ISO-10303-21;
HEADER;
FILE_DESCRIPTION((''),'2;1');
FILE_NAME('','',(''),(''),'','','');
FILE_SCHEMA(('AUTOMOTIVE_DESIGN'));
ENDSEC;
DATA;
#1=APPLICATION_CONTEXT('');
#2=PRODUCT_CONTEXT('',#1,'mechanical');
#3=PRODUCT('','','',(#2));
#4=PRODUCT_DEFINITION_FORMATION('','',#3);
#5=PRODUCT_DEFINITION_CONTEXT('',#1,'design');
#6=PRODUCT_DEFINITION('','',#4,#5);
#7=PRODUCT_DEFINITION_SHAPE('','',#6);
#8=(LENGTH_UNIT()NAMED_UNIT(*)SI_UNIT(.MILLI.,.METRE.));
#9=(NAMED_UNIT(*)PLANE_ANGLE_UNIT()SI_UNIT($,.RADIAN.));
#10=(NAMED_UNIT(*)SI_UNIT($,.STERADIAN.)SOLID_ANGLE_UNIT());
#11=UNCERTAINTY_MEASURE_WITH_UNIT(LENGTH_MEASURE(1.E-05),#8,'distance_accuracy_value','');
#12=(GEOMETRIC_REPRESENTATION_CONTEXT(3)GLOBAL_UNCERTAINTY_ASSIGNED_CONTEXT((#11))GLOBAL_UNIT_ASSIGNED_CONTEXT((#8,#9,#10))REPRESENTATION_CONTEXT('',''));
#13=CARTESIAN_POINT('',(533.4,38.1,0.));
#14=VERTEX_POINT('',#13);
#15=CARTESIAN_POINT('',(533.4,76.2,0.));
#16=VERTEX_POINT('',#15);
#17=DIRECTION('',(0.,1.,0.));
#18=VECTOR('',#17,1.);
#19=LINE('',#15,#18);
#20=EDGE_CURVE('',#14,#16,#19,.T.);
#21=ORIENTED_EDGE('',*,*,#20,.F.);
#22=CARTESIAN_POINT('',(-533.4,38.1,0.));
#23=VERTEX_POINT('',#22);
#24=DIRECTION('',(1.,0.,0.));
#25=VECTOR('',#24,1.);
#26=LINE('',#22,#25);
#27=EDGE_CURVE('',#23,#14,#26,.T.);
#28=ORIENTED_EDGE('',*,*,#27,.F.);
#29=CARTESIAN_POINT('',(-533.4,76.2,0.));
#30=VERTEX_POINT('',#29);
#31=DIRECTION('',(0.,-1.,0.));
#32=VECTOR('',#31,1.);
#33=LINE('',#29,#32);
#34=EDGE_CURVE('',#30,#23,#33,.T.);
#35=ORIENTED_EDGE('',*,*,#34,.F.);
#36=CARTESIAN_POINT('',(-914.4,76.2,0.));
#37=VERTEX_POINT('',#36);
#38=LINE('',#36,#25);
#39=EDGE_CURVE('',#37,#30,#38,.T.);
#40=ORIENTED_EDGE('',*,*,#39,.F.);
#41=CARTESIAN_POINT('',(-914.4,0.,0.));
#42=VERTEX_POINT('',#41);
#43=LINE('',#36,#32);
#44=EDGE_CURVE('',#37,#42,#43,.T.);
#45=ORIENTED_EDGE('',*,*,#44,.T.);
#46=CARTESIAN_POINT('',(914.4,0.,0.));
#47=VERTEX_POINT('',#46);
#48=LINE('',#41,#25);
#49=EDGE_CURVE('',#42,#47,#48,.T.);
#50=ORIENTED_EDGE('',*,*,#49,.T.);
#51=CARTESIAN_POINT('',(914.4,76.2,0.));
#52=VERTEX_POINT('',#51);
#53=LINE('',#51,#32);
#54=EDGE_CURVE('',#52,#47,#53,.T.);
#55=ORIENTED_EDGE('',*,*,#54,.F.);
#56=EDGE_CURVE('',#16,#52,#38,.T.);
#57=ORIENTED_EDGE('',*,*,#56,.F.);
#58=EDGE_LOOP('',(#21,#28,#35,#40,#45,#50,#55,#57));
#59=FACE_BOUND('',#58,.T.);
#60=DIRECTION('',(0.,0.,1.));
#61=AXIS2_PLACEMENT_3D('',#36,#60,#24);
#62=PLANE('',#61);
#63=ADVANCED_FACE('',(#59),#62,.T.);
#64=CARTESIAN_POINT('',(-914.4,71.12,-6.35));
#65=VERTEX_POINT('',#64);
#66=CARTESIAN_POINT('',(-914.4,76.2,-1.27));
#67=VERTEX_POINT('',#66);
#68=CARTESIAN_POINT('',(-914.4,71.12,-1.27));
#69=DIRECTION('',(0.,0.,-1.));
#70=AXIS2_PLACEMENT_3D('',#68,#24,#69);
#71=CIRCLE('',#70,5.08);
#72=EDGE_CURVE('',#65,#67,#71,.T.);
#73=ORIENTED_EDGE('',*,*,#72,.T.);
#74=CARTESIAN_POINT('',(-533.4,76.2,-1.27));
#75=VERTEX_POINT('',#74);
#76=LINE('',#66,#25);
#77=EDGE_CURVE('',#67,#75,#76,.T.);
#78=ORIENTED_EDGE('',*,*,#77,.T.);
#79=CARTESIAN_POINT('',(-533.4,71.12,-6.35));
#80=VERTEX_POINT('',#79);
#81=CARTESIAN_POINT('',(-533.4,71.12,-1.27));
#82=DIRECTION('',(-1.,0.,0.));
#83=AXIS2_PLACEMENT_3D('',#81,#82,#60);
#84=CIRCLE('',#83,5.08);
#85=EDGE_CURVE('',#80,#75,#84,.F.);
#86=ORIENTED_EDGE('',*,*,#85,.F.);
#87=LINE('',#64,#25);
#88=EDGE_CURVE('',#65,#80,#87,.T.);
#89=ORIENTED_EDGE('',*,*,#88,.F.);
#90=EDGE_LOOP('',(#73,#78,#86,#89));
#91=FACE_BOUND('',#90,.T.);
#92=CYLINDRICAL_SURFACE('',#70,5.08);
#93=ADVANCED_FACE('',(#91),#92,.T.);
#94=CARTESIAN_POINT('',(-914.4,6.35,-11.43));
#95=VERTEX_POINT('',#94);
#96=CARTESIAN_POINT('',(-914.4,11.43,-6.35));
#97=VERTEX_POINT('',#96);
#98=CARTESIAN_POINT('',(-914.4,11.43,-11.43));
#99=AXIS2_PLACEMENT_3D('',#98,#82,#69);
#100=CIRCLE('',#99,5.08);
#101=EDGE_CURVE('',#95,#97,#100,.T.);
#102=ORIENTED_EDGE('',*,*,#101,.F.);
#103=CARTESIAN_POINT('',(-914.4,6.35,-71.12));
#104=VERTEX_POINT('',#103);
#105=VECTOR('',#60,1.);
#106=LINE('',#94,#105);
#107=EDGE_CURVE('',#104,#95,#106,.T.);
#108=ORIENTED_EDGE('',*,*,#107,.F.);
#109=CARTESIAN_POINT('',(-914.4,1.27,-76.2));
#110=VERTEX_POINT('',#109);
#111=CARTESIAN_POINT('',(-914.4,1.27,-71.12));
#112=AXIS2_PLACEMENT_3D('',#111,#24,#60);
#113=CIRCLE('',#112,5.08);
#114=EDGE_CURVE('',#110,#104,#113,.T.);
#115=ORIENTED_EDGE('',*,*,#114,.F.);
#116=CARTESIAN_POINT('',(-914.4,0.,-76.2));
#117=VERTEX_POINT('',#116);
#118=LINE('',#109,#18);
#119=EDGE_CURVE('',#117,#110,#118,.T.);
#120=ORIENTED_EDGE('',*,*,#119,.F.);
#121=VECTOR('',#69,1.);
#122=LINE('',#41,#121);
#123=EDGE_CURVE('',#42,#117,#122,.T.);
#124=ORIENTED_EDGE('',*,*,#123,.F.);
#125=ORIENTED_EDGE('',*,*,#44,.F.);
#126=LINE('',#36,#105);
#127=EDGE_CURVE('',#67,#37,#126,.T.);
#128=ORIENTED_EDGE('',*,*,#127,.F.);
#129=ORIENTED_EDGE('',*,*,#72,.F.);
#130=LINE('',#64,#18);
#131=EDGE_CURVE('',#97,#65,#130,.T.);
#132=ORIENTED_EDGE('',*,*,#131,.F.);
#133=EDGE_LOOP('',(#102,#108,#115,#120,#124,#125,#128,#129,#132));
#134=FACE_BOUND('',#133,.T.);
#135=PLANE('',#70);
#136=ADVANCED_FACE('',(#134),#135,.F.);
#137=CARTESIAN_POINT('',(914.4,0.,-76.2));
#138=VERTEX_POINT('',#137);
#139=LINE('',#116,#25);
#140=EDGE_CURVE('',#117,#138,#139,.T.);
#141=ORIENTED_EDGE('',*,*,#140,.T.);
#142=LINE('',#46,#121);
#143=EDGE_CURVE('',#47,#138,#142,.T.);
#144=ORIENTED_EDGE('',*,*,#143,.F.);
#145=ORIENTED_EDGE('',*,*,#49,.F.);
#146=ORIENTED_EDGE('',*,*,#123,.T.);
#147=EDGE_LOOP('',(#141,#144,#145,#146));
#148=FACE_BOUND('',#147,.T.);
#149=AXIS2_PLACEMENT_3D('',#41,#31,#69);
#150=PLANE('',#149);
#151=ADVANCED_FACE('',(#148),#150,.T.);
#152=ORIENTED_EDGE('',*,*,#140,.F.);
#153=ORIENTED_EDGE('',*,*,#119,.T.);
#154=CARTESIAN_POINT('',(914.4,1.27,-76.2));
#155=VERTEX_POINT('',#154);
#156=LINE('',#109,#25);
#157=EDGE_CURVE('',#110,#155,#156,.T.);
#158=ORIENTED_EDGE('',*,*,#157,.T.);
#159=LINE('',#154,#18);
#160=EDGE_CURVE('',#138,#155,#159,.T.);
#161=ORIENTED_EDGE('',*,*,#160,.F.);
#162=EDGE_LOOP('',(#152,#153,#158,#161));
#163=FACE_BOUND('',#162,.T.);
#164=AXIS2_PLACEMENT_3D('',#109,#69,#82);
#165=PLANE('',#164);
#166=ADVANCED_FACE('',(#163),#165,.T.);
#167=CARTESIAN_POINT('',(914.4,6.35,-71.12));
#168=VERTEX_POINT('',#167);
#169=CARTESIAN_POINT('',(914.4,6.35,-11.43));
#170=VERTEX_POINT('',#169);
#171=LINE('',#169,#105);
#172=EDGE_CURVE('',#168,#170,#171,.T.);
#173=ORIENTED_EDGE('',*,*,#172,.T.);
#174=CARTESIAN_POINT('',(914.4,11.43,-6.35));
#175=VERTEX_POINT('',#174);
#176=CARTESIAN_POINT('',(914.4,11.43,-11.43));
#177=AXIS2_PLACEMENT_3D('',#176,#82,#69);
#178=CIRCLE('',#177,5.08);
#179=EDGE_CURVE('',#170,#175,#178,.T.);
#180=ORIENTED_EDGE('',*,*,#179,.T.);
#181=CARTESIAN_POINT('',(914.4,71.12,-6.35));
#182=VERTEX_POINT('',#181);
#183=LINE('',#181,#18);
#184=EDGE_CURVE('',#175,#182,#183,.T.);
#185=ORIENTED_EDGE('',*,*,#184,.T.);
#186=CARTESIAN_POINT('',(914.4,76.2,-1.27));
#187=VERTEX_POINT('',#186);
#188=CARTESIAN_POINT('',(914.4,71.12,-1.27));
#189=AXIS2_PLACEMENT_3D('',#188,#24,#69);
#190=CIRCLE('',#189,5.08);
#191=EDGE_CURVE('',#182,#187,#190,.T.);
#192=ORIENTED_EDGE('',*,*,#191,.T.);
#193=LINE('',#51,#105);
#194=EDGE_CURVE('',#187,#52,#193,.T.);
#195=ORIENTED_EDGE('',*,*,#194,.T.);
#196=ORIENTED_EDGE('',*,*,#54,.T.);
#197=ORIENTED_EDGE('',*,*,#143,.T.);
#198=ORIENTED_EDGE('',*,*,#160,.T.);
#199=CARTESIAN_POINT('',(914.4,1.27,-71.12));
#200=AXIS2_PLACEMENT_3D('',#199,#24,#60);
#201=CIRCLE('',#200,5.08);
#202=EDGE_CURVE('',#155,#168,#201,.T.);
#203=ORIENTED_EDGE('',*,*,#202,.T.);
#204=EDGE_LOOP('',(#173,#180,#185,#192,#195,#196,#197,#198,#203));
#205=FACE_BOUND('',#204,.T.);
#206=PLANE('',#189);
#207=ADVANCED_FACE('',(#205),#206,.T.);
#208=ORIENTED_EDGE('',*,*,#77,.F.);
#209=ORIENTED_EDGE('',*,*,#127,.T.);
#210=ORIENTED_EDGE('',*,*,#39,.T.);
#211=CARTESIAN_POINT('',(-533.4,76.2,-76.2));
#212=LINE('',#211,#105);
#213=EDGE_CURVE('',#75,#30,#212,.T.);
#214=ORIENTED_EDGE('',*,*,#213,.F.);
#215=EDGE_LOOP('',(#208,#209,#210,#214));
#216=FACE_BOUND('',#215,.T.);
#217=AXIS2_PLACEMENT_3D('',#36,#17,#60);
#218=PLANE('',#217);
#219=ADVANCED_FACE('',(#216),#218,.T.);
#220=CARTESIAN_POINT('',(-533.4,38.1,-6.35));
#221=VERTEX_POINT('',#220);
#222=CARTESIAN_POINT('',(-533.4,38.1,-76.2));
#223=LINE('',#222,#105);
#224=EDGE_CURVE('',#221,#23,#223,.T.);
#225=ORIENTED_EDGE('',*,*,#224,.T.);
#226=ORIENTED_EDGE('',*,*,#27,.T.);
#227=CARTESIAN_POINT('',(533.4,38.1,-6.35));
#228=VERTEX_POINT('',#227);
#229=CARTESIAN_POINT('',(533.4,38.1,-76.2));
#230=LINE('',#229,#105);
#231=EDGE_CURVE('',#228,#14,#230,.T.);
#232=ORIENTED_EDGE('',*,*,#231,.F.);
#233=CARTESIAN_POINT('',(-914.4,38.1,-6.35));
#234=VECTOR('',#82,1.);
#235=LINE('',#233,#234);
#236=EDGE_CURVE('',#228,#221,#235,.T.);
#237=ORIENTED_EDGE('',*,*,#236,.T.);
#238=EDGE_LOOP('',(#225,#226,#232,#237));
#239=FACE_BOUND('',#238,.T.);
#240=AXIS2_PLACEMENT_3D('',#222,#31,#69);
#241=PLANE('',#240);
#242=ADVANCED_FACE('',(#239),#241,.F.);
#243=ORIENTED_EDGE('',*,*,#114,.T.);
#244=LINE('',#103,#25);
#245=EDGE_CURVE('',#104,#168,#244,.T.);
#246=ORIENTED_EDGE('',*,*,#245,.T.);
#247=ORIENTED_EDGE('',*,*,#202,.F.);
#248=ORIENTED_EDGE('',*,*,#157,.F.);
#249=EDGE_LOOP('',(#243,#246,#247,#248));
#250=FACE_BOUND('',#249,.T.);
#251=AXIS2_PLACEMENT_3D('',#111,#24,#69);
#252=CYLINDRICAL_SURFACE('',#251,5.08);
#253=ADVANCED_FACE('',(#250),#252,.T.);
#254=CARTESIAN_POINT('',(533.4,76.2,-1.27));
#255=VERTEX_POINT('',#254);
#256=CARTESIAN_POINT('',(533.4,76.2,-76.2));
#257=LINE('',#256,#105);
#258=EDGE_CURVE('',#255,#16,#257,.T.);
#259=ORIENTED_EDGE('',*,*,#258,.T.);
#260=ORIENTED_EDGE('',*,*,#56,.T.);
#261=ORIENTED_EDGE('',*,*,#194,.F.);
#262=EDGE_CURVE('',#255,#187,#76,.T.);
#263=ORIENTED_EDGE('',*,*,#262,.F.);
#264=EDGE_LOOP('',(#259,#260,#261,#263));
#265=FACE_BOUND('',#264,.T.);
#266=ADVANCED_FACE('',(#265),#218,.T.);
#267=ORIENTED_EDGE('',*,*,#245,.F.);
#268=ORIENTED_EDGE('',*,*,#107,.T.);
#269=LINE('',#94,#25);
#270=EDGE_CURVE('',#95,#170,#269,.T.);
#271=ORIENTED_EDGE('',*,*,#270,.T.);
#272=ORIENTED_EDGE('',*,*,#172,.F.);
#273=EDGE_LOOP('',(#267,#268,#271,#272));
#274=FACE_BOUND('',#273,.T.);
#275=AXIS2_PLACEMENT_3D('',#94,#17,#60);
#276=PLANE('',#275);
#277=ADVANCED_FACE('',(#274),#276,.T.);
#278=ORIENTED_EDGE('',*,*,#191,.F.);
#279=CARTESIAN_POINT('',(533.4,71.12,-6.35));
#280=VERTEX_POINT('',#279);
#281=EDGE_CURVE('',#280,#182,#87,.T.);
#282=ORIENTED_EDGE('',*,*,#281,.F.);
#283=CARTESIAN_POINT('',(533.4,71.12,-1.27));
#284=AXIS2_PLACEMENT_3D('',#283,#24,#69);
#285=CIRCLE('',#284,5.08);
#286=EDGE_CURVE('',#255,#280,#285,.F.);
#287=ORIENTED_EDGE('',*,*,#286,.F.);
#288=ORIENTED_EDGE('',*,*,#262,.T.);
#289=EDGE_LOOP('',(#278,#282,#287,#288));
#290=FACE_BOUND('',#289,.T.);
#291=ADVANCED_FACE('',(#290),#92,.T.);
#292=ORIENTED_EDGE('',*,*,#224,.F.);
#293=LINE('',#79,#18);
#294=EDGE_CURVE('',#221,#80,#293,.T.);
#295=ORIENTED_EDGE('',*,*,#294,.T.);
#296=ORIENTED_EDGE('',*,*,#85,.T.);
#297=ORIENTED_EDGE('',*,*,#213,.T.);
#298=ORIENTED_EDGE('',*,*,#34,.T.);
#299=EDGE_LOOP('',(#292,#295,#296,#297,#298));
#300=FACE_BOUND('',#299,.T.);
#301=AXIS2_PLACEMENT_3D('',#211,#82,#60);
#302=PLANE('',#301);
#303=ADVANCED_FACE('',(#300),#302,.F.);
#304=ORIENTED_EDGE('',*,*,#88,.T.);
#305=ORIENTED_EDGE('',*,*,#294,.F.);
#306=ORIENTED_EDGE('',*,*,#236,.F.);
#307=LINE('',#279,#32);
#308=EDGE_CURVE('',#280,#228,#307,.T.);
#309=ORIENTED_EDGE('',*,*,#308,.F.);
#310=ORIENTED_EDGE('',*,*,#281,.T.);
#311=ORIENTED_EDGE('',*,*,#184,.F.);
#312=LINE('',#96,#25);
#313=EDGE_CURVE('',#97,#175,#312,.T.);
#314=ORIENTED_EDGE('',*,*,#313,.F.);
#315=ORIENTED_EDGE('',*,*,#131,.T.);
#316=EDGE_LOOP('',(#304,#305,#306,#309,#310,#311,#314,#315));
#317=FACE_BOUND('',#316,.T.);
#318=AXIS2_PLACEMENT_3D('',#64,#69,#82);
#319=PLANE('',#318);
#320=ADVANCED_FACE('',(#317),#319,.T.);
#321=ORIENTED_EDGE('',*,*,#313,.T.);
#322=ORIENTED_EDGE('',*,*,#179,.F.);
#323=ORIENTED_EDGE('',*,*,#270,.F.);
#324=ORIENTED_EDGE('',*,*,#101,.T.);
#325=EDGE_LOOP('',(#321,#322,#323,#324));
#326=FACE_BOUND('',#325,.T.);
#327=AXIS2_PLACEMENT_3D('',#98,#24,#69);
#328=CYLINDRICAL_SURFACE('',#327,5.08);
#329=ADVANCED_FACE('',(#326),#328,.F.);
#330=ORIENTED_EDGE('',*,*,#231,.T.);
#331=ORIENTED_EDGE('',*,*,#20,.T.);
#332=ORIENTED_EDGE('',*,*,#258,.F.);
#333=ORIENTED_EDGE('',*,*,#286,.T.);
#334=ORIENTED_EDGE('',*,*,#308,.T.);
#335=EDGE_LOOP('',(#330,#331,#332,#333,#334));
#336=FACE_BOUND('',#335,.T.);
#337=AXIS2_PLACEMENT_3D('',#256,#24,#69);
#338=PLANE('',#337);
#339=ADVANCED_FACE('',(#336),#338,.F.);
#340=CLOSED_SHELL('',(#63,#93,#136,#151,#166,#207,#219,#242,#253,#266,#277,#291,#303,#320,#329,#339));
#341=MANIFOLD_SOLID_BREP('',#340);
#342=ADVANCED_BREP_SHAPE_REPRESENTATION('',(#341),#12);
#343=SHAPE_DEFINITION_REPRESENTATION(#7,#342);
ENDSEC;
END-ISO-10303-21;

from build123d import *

# Parameters (mm, degrees)
BOSS_EXTRUDE1_DEPTH      = 914.4
BOSS_EXTRUDE1_DEPTH_BACK = 914.4
SKETCH2_W                = 1066.8
SKETCH2_H                = 38.1
CUT_EXTRUDE1_DEPTH       = 921.728103188


with BuildPart() as part:
    # Sketch1 → Boss-Extrude1 (new, two sides: drawn at the far end of the back side and taken through both)
    with BuildSketch(Plane(origin=(0, 0, 0), x_dir=(0, 0, -1), z_dir=(1, 0, 0)).offset(-BOSS_EXTRUDE1_DEPTH_BACK)):
        with BuildLine():
            Line((0, 76.2), (0, 0))
            Line((0, 0), (76.2, 0))
            Line((76.2, 0), (76.2, 1.27))
            ThreePointArc((76.2, 1.27), (74.712102448, 4.862102448), (71.12, 6.35))
            Line((71.12, 6.35), (11.43, 6.35))
            ThreePointArc((11.43, 6.35), (7.837897552, 7.837897552), (6.35, 11.43))
            Line((6.35, 11.43), (6.35, 71.12))
            ThreePointArc((6.35, 71.12), (4.862102448, 74.712102448), (1.27, 76.2))
            Line((1.27, 76.2), (0, 76.2))
        make_face()
    extrude(amount=BOSS_EXTRUDE1_DEPTH + BOSS_EXTRUDE1_DEPTH_BACK)

    # Sketch2 → Cut-Extrude1 (cut, through all)
    with BuildSketch(Plane.XY):
        with Locations((0, 57.15)):
            Rectangle(SKETCH2_W, SKETCH2_H)
    extrude(amount=-CUT_EXTRUDE1_DEPTH, mode=Mode.SUBTRACT)


solid = part.part
